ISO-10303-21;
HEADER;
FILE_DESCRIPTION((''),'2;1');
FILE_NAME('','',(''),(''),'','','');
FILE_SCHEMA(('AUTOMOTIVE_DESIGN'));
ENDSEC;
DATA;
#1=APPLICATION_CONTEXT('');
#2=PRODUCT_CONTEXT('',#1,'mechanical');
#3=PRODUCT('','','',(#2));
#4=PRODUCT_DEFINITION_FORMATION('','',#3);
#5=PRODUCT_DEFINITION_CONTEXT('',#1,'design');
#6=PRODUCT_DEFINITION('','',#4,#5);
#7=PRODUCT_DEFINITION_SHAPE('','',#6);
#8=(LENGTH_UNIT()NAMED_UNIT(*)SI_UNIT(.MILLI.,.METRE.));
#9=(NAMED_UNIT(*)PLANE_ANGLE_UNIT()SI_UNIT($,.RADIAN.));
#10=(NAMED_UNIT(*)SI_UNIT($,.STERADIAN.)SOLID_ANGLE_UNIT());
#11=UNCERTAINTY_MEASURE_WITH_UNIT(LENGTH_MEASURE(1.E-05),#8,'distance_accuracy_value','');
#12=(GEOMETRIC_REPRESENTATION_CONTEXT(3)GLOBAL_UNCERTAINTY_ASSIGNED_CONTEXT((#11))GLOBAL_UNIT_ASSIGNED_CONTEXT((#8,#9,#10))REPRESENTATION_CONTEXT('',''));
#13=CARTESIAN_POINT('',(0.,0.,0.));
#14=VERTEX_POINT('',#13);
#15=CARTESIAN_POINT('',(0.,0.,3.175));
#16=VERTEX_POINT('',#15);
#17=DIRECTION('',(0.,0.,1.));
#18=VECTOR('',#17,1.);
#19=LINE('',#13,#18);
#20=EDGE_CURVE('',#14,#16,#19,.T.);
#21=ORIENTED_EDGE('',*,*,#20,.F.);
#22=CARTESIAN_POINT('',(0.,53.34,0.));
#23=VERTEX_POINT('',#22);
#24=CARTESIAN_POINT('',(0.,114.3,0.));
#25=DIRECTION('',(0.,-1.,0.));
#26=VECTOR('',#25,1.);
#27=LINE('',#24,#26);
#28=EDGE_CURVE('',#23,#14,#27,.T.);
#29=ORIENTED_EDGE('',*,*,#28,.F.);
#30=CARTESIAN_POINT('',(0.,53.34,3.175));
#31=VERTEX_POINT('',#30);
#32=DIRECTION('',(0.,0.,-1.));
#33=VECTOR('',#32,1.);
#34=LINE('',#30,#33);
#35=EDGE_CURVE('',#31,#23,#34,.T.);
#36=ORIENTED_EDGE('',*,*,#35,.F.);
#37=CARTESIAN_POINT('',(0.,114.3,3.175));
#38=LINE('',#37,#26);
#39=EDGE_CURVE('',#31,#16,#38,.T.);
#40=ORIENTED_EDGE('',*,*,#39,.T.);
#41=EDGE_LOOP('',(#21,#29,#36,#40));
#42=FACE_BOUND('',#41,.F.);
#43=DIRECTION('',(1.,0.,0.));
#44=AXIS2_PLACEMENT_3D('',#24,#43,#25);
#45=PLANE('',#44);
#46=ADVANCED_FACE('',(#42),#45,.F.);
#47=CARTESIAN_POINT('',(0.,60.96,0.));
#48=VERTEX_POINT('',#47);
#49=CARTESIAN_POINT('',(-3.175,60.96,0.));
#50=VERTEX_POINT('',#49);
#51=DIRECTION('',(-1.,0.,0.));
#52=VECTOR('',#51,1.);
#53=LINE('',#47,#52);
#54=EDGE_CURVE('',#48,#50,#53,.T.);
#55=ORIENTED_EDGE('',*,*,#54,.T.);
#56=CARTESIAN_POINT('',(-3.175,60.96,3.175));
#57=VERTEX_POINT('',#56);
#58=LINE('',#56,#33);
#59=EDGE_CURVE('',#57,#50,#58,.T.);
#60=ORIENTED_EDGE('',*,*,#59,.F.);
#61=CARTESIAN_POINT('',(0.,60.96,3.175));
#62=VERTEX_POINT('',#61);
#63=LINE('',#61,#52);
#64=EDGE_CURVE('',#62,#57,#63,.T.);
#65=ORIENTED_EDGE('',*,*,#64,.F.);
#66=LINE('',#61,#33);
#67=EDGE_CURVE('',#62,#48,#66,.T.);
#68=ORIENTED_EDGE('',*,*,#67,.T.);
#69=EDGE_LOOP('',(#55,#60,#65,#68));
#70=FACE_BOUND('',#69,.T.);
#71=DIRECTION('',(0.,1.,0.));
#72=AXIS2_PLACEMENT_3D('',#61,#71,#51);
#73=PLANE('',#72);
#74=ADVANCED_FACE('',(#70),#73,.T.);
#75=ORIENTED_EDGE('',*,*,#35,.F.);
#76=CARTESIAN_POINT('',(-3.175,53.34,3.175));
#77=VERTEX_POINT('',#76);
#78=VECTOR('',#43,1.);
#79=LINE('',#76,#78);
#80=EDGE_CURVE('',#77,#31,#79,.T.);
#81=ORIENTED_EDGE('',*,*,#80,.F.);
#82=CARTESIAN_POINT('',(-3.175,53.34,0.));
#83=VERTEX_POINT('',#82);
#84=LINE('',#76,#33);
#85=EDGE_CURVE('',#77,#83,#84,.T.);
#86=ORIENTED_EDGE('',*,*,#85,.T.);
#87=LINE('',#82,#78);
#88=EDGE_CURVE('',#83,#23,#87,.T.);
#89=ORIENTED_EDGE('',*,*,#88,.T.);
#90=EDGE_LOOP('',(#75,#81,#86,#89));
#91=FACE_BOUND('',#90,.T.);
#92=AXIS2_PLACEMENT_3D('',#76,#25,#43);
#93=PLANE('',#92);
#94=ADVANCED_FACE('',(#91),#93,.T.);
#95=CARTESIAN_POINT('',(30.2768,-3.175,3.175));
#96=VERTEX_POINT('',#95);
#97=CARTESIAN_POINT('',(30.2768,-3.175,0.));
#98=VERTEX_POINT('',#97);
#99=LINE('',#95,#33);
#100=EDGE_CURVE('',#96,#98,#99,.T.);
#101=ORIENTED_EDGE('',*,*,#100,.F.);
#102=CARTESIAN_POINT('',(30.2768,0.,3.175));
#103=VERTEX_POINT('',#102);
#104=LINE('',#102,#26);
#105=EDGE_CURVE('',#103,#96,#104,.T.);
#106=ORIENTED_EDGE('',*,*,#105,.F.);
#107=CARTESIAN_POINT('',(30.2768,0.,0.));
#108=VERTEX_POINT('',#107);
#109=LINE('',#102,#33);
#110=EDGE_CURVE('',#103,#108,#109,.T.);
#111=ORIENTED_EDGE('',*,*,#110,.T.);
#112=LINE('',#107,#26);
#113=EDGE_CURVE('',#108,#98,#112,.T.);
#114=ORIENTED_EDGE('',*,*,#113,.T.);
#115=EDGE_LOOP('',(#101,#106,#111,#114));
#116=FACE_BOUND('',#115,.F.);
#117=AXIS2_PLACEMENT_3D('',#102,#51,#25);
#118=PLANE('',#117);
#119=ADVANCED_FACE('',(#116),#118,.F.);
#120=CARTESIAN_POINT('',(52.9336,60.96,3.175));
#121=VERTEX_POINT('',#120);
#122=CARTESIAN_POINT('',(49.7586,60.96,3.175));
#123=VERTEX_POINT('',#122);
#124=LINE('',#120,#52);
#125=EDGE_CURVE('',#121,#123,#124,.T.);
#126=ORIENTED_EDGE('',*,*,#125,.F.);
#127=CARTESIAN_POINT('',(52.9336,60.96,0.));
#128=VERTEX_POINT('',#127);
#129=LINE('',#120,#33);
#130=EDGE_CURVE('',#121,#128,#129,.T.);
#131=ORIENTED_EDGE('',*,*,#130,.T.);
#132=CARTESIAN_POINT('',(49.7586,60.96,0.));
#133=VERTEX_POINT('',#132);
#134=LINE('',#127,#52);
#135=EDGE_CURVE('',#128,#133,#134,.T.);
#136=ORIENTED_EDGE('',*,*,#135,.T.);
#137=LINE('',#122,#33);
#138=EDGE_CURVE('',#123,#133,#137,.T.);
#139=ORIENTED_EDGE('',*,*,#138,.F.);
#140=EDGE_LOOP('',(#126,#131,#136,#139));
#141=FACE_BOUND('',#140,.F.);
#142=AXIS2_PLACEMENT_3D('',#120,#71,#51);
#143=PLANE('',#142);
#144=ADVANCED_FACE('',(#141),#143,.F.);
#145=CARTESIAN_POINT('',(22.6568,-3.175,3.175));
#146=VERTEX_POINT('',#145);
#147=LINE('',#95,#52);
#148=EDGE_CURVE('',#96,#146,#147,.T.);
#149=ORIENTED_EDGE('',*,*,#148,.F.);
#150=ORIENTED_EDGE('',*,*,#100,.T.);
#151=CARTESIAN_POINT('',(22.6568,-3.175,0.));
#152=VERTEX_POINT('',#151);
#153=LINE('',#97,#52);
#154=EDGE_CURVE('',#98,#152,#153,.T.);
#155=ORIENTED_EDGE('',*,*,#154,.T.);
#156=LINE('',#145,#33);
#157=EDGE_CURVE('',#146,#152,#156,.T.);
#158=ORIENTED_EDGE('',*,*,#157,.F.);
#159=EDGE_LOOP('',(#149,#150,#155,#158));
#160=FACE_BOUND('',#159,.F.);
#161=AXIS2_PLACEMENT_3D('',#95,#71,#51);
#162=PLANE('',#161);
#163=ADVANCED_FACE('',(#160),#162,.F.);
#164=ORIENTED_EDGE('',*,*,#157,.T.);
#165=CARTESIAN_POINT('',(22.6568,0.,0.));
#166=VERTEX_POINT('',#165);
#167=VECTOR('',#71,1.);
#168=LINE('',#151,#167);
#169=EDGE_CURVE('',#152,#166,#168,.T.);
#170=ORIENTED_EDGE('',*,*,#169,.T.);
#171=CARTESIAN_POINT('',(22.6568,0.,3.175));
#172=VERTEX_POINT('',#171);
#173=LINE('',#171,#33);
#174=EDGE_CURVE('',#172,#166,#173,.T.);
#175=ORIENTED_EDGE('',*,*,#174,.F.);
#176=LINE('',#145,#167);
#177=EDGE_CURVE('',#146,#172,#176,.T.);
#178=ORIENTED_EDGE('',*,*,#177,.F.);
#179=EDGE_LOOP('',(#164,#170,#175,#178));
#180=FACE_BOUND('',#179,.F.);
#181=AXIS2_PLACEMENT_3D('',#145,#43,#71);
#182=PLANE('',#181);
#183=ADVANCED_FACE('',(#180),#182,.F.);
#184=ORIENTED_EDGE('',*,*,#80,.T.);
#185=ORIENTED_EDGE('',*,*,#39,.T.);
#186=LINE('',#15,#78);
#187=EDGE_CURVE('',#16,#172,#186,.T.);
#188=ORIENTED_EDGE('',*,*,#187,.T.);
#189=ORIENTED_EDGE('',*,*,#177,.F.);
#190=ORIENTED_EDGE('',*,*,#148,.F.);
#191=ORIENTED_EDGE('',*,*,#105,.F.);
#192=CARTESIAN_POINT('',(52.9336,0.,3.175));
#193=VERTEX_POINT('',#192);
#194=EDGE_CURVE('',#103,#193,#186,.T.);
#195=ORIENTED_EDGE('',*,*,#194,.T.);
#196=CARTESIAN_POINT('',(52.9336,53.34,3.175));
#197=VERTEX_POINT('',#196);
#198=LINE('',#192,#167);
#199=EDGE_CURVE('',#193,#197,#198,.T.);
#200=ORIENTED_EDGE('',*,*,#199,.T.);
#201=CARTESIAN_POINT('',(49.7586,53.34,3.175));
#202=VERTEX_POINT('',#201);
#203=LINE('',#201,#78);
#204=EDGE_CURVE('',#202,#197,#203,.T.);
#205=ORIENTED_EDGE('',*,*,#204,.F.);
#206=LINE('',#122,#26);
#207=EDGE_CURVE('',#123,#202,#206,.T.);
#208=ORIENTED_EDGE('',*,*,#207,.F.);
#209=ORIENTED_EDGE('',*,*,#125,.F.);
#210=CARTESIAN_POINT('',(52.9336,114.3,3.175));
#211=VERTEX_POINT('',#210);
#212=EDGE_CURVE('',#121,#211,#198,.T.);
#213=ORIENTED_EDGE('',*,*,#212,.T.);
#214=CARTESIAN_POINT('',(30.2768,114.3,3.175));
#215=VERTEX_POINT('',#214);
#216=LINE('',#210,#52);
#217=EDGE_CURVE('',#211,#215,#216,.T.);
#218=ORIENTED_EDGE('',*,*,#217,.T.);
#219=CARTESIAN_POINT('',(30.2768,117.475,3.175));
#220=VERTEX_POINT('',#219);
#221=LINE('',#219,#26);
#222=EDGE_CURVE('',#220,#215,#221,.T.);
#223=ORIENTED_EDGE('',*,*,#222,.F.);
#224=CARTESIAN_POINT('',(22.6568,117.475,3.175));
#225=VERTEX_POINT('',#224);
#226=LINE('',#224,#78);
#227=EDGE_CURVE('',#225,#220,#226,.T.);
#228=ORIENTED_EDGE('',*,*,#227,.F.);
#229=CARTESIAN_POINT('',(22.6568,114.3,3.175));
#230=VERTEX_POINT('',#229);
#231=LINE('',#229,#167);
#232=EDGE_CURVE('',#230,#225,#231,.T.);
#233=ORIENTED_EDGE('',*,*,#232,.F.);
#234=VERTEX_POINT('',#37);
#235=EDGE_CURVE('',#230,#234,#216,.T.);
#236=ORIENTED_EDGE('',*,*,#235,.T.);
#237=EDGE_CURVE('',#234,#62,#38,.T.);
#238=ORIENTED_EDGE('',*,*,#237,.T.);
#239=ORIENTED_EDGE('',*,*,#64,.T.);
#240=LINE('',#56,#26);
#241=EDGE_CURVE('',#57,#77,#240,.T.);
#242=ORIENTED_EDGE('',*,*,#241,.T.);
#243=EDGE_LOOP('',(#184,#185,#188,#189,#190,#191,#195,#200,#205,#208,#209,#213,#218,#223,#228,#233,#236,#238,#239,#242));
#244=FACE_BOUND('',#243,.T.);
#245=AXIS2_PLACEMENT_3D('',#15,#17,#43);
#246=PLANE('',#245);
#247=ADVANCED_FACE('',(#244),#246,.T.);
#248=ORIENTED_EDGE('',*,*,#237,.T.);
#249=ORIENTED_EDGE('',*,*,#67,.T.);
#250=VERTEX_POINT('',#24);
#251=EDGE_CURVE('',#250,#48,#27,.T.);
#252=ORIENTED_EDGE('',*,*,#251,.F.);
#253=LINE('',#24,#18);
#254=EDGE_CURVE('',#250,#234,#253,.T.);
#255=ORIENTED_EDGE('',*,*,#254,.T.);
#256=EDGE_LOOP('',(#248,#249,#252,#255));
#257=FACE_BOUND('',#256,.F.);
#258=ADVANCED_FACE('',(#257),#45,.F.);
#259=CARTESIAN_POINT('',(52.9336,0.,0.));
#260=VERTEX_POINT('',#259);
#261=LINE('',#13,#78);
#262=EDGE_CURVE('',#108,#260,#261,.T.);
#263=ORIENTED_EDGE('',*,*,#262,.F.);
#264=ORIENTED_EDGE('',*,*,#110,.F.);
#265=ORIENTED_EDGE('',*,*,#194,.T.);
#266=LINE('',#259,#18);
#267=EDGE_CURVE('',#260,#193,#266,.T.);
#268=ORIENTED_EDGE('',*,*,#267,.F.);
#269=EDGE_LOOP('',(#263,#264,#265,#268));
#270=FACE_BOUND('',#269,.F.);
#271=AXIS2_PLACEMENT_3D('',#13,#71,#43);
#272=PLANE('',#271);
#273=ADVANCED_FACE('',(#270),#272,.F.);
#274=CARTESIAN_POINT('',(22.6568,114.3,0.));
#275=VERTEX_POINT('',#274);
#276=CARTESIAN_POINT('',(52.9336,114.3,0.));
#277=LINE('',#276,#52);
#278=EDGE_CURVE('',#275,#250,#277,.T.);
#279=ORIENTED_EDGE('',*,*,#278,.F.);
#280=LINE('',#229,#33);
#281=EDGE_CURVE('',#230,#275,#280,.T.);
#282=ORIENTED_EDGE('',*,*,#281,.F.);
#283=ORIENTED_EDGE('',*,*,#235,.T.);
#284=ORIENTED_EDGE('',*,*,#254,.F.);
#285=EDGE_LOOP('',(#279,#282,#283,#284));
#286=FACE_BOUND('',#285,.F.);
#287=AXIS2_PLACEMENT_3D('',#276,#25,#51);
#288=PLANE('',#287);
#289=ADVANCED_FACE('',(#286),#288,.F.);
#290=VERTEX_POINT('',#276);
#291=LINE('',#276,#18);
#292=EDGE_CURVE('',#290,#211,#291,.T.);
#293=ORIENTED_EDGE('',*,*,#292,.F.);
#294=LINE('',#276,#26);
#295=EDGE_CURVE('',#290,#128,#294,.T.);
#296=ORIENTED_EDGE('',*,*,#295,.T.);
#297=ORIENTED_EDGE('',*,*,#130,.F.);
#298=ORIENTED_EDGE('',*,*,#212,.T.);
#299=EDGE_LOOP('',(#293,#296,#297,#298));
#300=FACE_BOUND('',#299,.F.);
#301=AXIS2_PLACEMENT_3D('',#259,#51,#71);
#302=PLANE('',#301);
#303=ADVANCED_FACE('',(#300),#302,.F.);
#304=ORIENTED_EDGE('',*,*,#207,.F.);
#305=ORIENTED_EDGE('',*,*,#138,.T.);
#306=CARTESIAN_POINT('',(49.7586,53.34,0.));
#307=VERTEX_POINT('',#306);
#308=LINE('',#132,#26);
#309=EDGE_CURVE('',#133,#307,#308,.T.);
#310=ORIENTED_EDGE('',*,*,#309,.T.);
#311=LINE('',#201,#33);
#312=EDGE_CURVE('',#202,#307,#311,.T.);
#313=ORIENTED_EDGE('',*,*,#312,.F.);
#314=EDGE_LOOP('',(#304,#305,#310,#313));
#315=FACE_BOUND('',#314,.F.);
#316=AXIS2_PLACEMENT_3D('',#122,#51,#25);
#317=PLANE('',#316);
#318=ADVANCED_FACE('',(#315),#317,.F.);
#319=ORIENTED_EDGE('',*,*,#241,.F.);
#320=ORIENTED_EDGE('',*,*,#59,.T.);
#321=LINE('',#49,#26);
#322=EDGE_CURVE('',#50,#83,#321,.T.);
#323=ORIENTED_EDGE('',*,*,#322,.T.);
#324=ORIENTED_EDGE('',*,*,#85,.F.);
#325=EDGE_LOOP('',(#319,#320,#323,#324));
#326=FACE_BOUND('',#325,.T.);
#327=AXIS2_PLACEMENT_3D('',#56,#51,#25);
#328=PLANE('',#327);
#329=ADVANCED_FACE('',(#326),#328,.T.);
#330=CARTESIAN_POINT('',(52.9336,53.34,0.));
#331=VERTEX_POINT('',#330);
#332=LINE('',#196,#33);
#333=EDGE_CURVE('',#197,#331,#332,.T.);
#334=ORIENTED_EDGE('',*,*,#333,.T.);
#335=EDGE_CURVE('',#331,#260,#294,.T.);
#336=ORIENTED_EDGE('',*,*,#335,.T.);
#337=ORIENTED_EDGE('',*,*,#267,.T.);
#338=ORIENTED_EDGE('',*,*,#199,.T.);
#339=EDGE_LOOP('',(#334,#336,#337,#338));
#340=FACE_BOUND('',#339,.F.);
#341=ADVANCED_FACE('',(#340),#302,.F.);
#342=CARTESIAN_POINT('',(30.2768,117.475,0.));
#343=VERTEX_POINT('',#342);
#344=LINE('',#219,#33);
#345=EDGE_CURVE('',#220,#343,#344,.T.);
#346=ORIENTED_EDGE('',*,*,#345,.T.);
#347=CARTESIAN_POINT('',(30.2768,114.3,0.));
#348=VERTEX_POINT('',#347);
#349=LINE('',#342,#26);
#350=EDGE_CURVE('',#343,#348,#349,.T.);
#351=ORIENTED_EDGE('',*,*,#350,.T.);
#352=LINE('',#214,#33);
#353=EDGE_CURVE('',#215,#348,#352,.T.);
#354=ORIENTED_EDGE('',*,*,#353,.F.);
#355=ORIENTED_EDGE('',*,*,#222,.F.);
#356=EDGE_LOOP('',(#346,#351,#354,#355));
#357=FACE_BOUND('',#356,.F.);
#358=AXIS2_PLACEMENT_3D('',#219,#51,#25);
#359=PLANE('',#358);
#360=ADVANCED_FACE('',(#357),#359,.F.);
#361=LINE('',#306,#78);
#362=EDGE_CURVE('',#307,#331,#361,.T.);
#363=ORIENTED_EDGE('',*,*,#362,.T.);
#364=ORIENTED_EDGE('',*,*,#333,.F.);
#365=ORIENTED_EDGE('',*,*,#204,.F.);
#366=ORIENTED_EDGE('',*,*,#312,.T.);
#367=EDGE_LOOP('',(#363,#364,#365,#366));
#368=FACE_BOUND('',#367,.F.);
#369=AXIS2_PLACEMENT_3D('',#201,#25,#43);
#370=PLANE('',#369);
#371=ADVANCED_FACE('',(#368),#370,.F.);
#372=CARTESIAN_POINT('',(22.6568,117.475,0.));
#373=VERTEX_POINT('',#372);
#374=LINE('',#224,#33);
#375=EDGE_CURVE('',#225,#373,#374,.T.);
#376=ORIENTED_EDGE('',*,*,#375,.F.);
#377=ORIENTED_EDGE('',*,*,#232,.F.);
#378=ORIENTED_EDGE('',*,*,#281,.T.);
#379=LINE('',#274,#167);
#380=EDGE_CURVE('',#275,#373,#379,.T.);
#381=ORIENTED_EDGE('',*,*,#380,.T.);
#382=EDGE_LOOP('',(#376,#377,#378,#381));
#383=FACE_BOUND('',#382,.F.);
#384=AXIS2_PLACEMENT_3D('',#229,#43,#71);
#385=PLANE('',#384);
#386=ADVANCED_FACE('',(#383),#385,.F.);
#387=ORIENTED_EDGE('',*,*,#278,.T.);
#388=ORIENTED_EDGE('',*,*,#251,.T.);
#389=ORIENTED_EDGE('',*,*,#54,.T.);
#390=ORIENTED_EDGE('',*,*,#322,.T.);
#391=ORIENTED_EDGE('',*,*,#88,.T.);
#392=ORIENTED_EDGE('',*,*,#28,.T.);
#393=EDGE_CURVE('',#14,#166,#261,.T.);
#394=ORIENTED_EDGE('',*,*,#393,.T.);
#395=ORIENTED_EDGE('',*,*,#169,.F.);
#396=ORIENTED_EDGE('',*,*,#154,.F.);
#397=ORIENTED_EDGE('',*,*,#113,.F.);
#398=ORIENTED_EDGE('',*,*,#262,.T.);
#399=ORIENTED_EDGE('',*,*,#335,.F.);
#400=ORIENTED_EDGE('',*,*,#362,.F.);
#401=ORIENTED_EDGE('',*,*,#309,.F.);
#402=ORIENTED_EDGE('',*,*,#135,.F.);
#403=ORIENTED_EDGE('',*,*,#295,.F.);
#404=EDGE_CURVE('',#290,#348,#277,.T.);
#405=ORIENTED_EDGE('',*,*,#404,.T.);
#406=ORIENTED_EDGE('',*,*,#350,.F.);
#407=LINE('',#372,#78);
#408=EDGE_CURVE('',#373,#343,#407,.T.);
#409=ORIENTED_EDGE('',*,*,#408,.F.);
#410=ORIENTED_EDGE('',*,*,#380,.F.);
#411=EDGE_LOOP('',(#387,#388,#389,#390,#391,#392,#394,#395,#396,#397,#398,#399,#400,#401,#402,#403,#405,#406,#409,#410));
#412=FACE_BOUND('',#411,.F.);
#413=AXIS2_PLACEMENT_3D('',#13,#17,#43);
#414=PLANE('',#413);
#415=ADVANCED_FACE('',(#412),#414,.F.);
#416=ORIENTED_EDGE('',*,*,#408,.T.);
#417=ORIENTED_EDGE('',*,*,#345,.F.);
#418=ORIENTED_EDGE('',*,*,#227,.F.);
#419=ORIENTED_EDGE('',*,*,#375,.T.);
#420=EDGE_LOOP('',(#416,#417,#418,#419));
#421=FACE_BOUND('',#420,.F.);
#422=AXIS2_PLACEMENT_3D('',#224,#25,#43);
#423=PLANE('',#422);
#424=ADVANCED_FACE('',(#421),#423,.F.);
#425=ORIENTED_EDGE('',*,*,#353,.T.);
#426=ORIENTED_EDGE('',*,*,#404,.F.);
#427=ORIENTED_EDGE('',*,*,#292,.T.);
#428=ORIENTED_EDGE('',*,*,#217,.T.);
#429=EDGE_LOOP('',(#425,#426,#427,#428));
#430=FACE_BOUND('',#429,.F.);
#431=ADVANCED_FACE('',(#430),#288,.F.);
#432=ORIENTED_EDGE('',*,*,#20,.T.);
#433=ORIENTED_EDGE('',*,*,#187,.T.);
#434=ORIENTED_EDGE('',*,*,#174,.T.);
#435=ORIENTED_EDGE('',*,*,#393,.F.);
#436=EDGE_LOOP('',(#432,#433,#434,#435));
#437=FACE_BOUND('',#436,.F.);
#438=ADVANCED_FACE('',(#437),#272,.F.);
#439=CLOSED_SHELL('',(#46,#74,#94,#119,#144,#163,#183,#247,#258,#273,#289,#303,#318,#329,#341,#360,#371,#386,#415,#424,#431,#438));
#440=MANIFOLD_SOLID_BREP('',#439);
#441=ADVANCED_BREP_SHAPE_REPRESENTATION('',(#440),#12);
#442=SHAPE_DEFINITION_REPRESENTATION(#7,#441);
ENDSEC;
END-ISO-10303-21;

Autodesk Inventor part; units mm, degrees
ref_plane "YZ Plane" through (0, 0, 0) normal (1, 0, 0) x (0, 1, 0)
ref_plane "XZ Plane" through (0, 0, 0) normal (0, 1, 0) x (-1, 0, 0)
ref_plane "XY Plane" through (0, 0, 0) normal (0, 0, 1) x (1, 0, 0)
sketch "Sketch1" plane through (0, 0, 0) normal (0, 0, 1) x (1, 0, 0)
  line L0 (0, 0) -> (52.9336, 0)
  line L1 (52.9336, 0) -> (52.9336, 114.3)
  line L2 (52.9336, 114.3) -> (0, 114.3)
  line L3 (0, 114.3) -> (0, 0)
  dimension "d0" = 114.3
  dimension "d1" = 52.9336
extrude "Extrusion1" add sketch "Sketch1" along normal blind 3.175
sketch "Sketch2" plane through (0, 0, 3.175) normal (0, 0, 1) x (1, 0, 0)
  line L0 (0, 114.3) -> (0, 0) projected
  line L1 (52.9336, 0) -> (52.9336, 114.3) projected
  line L2 (0, 60.96) -> (-3.175, 60.96)
  line L3 (-3.175, 60.96) -> (-3.175, 53.34)
  line L4 (-3.175, 53.34) -> (0, 53.34)
  line L5 (0, 53.34) -> (0, 60.96)
  line L6 (52.9336, 60.96) -> (49.7586, 60.96)
  line L7 (49.7586, 60.96) -> (49.7586, 53.34)
  line L8 (49.7586, 53.34) -> (52.9336, 53.34)
  line L9 (52.9336, 53.34) -> (52.9336, 60.96)
  line L10 (52.9336, 114.3) -> (0, 114.3) projected
  line L11 (0, 0) -> (52.9336, 0) projected
  line L12 (22.6568, 114.3) -> (22.6568, 117.475)
  line L13 (22.6568, 117.475) -> (30.2768, 117.475)
  line L14 (30.2768, 117.475) -> (30.2768, 114.3)
  line L15 (30.2768, 114.3) -> (22.6568, 114.3)
  line L16 (30.2768, 0) -> (30.2768, -3.175)
  line L17 (30.2768, -3.175) -> (22.6568, -3.175)
  line L18 (22.6568, -3.175) -> (22.6568, 0)
  line L19 (22.6568, 0) -> (30.2768, 0)
  point P0 (0, 57.15)
  point P1 (52.9336, 57.15)
  point P2 (26.4668, 114.3)
  point P3 (26.4668, 0)
  dimension "d4" = 3.81
  dimension "d5" = 7.62
  dimension "d6" = 3.175
  dimension "d7" = 3.81
  dimension "d8" = 7.62
  dimension "d9" = 3.175
  dimension "d10" = 3.81
  dimension "d11" = 3.81
  dimension "d12" = 3.175
  dimension "d13" = 7.62
  dimension "d14" = 3.81
  dimension "d15" = 3.175
extrude "Extrusion2" add sketch "Sketch2" against normal blind 3.175 contours L0 L4 L3 L2 | L12 L13 L14 L10 | L11 L16 L17 L18 | L1 L8 L7 L6
extrude "Extrusion3" cut sketch "Sketch2" against normal blind 3.175 contours L1 L8 L7 L6
properties part number "Birdhouse Wall"
